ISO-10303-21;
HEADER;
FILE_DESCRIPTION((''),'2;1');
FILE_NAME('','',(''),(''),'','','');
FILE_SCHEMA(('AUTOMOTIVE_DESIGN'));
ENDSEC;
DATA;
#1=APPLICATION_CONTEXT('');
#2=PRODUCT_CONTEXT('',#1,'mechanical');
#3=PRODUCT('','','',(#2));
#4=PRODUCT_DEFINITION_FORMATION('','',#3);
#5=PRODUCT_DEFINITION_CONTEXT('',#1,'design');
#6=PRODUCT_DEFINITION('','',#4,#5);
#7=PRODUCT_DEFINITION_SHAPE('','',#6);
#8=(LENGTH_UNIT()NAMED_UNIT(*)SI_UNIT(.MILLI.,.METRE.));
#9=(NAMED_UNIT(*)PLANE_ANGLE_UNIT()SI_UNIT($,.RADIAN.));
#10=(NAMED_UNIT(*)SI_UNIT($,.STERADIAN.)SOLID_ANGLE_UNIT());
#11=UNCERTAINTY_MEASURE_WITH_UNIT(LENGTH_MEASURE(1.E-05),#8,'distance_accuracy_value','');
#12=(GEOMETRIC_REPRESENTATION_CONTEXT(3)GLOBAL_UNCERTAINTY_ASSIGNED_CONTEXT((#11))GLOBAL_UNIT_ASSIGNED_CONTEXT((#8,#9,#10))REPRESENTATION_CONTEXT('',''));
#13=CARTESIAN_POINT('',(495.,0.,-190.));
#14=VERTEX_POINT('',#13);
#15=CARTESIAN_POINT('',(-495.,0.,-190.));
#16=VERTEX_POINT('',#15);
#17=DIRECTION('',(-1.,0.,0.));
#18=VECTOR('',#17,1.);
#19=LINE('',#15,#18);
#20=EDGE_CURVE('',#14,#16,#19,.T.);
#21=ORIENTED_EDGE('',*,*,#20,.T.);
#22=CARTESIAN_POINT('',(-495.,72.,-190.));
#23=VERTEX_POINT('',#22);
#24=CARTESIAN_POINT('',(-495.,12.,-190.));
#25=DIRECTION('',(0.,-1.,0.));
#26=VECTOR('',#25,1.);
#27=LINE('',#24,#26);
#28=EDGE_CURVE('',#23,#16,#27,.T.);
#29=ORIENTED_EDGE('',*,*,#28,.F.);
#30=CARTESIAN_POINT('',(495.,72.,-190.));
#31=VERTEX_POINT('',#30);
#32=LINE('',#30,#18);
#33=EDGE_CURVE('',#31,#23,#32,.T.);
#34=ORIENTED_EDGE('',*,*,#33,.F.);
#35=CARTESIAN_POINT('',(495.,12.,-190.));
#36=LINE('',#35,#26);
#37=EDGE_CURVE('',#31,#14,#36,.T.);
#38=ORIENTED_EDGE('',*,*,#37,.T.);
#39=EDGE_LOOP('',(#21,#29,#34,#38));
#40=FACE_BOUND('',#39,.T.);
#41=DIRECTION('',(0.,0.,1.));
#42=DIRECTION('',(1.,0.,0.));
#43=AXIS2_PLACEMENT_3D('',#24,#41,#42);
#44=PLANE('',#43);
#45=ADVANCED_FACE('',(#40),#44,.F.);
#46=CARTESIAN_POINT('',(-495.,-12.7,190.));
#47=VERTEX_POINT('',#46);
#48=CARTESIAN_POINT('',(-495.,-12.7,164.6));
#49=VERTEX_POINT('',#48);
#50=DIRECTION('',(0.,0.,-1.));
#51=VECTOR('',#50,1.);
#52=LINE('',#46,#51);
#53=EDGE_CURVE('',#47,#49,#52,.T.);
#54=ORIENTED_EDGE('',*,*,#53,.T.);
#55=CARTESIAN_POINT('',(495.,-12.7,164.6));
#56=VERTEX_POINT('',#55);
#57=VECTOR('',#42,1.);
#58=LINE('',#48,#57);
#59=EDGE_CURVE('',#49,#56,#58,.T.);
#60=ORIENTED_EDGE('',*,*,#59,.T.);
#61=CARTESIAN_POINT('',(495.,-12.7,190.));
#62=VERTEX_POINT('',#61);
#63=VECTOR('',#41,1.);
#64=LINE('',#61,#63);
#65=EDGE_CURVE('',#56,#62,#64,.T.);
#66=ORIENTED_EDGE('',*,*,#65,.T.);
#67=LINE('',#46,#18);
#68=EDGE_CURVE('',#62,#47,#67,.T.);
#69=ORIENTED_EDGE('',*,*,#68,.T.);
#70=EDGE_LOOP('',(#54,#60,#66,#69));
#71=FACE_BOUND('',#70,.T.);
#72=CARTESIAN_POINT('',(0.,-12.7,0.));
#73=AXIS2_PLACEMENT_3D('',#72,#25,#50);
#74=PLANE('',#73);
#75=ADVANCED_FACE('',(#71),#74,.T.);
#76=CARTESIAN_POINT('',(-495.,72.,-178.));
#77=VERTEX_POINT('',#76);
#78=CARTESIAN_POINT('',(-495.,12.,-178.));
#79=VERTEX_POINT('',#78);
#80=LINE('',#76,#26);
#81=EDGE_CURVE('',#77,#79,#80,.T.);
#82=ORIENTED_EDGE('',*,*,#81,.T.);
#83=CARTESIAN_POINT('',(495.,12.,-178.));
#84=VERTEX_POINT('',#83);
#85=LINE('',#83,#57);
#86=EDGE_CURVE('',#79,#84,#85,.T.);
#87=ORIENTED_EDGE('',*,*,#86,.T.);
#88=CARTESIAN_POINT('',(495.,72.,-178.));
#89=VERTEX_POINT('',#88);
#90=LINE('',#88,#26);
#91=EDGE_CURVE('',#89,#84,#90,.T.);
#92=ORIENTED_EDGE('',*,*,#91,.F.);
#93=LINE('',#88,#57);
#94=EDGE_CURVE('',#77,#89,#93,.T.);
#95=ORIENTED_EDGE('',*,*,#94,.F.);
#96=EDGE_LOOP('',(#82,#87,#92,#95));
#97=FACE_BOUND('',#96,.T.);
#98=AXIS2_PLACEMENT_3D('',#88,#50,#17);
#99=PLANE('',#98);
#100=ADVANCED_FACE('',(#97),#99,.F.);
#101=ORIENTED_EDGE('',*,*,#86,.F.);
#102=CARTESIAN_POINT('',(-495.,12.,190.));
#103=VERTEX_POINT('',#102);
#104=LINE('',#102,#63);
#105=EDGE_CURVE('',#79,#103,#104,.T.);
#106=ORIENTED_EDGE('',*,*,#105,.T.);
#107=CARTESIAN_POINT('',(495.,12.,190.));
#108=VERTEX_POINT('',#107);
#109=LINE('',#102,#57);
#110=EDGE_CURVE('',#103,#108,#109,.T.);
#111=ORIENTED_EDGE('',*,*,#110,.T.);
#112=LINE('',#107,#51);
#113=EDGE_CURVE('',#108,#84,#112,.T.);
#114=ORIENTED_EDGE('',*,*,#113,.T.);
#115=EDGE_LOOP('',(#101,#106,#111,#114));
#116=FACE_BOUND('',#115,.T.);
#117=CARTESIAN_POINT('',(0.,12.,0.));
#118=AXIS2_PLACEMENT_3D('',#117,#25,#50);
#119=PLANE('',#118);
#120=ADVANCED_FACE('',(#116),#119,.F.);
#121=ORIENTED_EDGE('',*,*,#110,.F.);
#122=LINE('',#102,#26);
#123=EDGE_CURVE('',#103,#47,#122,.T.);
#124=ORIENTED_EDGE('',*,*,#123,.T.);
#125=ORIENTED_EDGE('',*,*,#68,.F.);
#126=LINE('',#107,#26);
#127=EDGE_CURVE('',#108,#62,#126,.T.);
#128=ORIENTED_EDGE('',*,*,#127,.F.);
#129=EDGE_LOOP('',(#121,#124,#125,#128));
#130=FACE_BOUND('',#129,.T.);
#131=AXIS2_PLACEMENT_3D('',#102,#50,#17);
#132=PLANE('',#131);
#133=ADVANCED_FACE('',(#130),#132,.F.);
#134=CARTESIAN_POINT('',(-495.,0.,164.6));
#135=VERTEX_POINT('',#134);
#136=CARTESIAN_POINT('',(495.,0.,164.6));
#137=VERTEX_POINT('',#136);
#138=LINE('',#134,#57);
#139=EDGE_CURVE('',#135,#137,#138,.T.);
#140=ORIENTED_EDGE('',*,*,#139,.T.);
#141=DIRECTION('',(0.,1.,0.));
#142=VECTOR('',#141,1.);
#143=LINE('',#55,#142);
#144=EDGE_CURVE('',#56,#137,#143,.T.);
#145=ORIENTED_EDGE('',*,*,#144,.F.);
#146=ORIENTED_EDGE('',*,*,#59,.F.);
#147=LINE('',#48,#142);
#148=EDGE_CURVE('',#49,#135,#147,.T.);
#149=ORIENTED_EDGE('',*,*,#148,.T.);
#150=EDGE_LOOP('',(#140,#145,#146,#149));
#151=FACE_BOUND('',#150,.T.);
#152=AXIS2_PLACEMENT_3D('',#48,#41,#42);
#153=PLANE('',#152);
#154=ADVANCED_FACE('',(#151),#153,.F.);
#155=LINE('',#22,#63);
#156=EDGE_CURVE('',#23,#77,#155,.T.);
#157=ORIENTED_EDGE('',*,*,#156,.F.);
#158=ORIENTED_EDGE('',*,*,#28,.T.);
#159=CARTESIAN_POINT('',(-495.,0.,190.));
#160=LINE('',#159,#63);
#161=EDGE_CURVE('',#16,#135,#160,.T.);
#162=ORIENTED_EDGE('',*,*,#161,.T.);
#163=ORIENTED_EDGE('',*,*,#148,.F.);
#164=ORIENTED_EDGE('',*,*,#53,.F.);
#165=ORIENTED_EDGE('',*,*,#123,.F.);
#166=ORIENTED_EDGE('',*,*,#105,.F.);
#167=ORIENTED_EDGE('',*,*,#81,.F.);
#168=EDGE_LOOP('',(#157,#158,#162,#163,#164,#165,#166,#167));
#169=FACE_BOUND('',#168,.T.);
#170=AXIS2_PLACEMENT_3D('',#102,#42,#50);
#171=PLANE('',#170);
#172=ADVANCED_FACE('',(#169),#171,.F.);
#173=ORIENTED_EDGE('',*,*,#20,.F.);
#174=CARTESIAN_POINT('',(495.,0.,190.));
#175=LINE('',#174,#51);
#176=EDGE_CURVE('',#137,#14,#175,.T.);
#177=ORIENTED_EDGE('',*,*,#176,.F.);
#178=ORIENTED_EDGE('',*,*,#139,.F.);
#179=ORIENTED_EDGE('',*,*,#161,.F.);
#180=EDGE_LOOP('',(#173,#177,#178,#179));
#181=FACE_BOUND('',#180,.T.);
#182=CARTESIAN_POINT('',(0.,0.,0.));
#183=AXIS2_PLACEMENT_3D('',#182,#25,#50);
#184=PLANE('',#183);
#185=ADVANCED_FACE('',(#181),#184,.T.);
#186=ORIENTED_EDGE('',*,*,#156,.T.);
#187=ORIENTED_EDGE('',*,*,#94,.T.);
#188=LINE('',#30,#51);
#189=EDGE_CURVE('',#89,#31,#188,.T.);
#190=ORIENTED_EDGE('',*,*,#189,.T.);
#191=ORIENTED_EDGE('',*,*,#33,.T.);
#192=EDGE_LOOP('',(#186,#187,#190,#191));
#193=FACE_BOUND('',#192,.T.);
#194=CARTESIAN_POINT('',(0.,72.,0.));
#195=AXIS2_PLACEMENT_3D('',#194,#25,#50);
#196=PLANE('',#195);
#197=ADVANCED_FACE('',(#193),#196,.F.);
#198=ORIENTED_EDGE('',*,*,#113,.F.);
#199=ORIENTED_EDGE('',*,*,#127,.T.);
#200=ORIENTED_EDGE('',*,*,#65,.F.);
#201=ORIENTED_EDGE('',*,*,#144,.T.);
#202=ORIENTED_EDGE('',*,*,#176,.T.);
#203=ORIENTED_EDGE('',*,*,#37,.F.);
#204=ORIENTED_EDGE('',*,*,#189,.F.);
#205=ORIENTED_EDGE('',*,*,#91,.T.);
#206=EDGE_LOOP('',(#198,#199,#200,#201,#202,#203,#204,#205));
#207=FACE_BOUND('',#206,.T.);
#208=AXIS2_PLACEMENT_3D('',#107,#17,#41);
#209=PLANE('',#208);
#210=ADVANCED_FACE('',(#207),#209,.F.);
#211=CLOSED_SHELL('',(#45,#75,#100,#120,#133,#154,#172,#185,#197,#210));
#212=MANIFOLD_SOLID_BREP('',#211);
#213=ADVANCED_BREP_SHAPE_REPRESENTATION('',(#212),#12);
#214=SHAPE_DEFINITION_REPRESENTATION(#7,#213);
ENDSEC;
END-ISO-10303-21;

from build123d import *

# Parameters (mm, degrees)
SKETCH1_W           = 990
SKETCH1_H           = 380
BOSS_EXTRUDE1_DEPTH = 12
SKETCH2_W           = 990
SKETCH2_H           = 25.4
BOSS_EXTRUDE2_DEPTH = 12.7
SKETCH3_W           = 990
SKETCH3_H           = 12
BOSS_EXTRUDE3_DEPTH = 60


with BuildPart() as part:
    # Sketch1 → Boss-Extrude1 (new body)
    with BuildSketch(Plane(origin=(0, 0, 0), x_dir=(1, 0, 0), z_dir=(0, 1, 0))):
        Rectangle(SKETCH1_W, SKETCH1_H)
    extrude(amount=BOSS_EXTRUDE1_DEPTH)

    # Sketch2 → Boss-Extrude2 (add)
    with BuildSketch(Plane.XZ):
        with Locations((0, 177.3)):
            Rectangle(SKETCH2_W, SKETCH2_H)
    extrude(amount=BOSS_EXTRUDE2_DEPTH)

    # Sketch3 → Boss-Extrude3 (add)
    with BuildSketch(Plane(origin=(0, 12, 0), x_dir=(1, 0, 0), z_dir=(0, 1, 0))):
        with Locations((0, 184)):
            Rectangle(SKETCH3_W, SKETCH3_H)
    extrude(amount=BOSS_EXTRUDE3_DEPTH)


solid = part.part
